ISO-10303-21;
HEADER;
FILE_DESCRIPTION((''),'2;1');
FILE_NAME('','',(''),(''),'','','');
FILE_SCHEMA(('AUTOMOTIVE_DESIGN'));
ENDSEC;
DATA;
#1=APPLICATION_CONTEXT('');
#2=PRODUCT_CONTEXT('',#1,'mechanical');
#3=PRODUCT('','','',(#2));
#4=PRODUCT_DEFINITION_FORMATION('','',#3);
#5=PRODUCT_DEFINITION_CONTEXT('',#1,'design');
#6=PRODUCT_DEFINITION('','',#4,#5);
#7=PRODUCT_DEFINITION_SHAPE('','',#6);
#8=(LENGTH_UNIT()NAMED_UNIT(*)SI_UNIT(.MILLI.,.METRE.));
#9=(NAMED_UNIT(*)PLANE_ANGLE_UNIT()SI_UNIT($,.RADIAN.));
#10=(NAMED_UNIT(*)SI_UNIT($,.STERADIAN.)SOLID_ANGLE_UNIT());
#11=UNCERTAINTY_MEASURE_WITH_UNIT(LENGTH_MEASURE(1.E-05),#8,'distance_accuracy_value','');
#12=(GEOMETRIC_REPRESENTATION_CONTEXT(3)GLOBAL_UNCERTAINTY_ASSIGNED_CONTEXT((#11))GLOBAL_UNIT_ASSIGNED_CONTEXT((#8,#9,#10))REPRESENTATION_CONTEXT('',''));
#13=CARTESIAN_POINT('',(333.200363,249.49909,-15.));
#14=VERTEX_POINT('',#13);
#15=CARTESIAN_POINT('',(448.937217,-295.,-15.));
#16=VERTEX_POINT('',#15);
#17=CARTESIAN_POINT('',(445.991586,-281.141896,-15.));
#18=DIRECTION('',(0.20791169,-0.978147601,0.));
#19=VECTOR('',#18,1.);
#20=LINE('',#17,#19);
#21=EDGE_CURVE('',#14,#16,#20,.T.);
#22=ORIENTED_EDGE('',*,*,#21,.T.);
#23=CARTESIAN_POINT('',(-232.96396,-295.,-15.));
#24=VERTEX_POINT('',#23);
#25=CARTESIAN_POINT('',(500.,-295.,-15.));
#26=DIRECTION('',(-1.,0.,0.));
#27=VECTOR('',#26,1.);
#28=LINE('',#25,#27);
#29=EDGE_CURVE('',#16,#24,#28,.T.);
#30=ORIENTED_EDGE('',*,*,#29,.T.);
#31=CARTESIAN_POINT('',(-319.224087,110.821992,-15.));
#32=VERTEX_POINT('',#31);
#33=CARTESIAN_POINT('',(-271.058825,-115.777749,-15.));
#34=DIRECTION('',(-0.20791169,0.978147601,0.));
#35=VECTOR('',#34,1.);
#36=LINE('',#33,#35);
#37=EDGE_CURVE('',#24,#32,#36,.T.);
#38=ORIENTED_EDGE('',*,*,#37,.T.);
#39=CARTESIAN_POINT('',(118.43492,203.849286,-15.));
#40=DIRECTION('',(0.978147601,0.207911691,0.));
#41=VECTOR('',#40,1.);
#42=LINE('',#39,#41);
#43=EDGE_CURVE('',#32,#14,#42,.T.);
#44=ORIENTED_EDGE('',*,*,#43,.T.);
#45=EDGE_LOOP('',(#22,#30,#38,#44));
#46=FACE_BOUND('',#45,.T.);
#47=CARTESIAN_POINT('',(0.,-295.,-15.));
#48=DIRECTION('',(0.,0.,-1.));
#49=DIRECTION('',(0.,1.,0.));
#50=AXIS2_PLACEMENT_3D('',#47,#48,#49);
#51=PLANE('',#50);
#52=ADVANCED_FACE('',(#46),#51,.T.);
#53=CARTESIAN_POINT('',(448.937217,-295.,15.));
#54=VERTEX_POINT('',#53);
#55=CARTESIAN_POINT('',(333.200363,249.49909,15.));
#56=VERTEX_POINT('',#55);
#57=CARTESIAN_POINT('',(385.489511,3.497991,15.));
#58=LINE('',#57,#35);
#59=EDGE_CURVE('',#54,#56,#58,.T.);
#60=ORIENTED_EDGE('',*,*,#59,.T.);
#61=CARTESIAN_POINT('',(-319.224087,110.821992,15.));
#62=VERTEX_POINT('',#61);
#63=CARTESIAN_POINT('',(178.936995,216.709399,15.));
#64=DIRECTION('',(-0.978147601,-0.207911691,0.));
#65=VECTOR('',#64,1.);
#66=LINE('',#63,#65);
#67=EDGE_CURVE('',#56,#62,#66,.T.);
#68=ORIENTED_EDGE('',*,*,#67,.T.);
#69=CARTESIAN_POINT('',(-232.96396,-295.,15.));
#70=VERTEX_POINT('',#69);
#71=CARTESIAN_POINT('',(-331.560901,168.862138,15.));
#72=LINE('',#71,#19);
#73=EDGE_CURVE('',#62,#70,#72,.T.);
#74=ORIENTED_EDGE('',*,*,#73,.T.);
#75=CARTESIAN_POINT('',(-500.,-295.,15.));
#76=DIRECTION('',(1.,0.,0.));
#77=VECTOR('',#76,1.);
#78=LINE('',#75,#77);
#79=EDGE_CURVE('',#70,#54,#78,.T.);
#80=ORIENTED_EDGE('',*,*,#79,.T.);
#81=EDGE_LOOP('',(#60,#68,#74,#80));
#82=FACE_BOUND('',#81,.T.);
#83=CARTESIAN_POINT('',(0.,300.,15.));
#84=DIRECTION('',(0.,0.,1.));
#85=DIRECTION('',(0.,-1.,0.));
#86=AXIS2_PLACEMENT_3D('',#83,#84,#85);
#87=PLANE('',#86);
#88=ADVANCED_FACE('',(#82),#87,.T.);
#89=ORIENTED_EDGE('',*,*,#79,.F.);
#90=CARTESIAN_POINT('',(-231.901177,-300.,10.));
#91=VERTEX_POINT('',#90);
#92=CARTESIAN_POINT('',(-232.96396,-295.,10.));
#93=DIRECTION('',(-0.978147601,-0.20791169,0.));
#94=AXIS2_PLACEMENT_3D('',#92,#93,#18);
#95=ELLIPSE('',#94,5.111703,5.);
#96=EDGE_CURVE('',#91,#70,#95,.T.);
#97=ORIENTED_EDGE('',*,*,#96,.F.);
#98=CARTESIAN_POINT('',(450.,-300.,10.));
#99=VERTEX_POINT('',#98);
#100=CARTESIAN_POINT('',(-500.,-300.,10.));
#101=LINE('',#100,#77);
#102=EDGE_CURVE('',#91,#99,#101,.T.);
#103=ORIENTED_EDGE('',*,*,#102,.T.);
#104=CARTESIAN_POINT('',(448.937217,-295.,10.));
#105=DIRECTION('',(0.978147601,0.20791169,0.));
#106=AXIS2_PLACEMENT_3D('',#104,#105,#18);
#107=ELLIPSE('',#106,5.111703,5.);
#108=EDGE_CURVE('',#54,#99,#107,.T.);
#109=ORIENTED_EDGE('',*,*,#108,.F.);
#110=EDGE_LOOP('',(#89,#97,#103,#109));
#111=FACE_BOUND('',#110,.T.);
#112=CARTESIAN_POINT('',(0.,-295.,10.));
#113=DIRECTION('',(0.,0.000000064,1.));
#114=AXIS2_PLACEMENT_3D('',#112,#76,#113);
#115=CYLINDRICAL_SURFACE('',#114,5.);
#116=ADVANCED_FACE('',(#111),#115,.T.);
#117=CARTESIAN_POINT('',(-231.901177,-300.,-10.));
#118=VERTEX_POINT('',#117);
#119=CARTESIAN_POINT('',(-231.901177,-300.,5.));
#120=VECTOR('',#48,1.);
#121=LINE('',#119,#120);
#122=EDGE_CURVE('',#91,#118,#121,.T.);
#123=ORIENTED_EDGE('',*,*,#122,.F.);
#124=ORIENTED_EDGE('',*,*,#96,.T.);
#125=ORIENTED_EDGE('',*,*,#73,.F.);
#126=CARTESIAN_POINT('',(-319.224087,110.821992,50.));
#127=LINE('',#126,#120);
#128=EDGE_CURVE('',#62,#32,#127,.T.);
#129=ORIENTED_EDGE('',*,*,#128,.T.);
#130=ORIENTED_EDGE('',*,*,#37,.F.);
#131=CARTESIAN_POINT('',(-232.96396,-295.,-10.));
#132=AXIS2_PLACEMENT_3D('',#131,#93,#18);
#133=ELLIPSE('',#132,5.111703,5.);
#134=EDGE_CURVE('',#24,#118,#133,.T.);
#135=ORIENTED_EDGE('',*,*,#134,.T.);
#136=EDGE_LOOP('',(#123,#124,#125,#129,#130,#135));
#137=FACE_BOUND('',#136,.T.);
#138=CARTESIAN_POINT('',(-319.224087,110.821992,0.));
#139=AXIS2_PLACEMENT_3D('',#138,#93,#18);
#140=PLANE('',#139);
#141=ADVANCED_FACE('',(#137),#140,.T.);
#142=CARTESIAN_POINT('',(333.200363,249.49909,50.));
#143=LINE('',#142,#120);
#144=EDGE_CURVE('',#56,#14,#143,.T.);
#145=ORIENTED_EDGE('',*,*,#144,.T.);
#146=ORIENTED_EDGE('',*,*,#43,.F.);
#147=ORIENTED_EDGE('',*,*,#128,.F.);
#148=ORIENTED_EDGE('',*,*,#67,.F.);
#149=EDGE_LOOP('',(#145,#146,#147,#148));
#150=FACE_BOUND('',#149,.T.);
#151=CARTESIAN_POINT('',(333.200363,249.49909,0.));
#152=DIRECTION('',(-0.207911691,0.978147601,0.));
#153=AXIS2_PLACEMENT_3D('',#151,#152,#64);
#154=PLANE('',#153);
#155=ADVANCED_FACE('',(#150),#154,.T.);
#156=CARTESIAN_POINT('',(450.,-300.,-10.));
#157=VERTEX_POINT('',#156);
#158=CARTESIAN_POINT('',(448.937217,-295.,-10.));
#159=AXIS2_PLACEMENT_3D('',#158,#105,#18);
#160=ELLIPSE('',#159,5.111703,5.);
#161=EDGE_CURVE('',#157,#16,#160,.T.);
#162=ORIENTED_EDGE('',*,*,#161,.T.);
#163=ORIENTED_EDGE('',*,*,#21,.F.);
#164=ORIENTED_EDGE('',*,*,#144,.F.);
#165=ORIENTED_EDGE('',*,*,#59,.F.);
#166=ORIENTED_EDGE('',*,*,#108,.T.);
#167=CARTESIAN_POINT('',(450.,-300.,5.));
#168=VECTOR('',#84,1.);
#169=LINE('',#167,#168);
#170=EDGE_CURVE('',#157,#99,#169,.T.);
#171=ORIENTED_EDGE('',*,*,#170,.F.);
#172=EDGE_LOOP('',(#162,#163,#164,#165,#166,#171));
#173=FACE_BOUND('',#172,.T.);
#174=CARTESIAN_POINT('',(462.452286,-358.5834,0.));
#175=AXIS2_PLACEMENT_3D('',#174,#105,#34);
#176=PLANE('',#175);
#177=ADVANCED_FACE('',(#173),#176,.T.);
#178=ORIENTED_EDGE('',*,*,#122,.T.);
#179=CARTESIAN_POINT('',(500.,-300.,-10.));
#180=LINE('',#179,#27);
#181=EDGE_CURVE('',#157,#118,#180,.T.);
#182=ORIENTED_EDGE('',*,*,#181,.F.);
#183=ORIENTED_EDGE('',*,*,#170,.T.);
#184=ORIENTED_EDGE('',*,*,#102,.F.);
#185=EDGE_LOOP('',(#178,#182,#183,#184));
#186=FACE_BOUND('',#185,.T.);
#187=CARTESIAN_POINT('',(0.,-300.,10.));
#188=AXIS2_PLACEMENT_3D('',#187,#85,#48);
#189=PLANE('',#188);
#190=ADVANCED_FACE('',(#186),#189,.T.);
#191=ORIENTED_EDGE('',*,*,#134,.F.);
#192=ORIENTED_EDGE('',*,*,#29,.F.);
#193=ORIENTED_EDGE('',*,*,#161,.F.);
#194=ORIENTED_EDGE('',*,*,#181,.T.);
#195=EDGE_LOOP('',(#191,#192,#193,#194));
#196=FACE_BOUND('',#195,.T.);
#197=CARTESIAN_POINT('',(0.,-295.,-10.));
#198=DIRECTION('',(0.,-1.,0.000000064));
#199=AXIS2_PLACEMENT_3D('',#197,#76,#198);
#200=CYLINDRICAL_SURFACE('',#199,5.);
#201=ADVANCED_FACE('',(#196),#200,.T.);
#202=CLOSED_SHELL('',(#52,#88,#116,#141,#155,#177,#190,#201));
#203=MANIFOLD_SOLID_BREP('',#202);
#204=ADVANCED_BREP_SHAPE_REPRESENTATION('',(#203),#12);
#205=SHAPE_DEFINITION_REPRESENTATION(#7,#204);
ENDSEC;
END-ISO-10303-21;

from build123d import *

# Parameters (mm, degrees)
F2_DEPTH = 500
F3_DEPTH = 50


with BuildPart() as f2:
    # F0 (on Right) → F2 (new body, symmetric)
    with BuildSketch(Plane.YZ):
        with BuildLine():
            Line((300, -15), (300, 15))
            Line((300, 15), (-295, 15))
            ThreePointArc((-295, 15), (-298.535534, 13.535534), (-300, 10))
            Line((-300, 10), (-300, -10))
            ThreePointArc((-300, -10), (-298.535534, -13.535534), (-295, -15))
            Line((-295, -15), (300, -15))
        make_face()
    extrude(amount=F2_DEPTH, both=True)

    # F1 (on Top) → F3 (intersect, symmetric)
    with BuildSketch(Plane.XY):
        Polygon((-319.224087, 110.821992), (-189.972164, -497.260498), (462.452286, -358.5834), (333.200363, 249.49909), align=None)
    extrude(amount=F3_DEPTH, both=True, mode=Mode.INTERSECT)


solid = f2.part
